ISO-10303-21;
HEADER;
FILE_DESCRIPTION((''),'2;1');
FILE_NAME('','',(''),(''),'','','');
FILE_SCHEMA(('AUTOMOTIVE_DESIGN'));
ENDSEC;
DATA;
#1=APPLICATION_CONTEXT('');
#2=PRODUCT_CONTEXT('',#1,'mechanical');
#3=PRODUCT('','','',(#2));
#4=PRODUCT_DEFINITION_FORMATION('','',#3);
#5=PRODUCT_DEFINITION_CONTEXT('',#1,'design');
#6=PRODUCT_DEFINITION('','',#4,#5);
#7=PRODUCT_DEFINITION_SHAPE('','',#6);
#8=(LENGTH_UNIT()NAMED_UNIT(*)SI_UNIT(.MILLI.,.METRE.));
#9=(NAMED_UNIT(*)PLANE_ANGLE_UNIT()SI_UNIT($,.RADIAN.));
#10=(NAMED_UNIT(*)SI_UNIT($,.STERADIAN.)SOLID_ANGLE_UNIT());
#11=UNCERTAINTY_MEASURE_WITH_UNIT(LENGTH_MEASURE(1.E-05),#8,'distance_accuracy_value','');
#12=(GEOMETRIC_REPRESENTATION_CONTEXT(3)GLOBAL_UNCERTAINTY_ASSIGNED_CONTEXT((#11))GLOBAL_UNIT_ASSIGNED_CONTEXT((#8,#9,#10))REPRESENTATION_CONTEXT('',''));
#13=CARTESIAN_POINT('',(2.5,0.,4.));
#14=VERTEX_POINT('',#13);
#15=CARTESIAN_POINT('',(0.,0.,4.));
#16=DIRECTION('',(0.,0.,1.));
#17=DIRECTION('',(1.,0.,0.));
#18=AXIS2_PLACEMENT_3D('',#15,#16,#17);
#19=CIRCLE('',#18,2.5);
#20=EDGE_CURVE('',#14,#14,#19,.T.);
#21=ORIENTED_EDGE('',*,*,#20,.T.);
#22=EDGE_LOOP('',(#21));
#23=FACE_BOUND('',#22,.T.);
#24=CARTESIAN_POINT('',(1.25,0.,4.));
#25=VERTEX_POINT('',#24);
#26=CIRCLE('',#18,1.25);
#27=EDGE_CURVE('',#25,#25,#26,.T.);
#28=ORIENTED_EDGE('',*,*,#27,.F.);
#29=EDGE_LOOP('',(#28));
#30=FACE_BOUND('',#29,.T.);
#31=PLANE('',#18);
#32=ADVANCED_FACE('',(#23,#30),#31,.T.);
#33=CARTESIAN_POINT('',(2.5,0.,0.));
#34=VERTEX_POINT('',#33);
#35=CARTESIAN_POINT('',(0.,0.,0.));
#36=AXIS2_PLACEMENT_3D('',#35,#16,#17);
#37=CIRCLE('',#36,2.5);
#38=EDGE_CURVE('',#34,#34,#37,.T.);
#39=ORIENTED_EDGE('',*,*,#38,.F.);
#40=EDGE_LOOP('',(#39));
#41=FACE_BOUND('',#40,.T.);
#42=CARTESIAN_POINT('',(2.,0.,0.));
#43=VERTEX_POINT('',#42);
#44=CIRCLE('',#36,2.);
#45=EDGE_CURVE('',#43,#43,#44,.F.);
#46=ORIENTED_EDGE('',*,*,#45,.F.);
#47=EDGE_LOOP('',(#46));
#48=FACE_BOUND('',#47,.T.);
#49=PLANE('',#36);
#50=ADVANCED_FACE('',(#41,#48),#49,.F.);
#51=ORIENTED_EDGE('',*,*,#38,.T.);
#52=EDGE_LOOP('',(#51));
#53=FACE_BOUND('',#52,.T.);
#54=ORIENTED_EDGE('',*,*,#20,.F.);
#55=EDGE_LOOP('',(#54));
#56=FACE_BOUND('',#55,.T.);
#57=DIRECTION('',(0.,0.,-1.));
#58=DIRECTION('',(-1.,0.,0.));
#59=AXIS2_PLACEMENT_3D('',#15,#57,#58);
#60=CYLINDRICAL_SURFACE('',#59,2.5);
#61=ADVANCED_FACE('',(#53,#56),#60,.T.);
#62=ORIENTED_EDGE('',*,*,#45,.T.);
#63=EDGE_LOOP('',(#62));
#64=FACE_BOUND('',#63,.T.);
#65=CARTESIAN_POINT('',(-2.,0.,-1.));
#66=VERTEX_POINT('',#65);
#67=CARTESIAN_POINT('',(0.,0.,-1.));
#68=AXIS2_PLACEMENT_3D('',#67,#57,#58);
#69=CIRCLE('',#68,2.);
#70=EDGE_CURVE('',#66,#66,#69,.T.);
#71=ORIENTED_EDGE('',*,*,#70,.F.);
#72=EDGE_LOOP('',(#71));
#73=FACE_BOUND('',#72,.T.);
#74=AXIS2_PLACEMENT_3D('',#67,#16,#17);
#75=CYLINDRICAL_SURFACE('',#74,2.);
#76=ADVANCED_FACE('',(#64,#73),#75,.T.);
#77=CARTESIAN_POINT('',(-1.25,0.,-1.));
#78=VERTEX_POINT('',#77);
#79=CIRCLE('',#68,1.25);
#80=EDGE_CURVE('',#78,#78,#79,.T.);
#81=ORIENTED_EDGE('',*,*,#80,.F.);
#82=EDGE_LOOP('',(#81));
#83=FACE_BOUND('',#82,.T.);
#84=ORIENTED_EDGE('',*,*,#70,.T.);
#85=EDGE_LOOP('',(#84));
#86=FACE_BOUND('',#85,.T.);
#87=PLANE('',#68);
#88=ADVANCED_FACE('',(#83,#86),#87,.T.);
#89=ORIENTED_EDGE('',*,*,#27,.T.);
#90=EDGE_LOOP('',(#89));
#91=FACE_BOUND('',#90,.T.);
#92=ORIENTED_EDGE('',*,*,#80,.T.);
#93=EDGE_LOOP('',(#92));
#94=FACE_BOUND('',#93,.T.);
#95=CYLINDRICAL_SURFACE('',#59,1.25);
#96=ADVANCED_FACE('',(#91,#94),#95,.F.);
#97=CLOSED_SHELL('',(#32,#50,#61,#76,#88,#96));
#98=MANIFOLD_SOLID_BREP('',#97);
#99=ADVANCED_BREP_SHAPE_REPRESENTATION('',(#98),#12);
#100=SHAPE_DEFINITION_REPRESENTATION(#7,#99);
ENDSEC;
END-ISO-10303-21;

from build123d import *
from build123d.topology import SkipClean

# Parameters (mm, degrees)
SKETCH_1_R      = 2.5
SKETCH_1_R_2    = 1.25
EXTRUDE_1_DEPTH = 4
EXTRUDE_START   = 1
SKETCH_2_R      = 2
SKETCH_2_R_2    = 1.25
EXTRUDE_2_DEPTH = 1


with BuildPart() as part:
    # 草图1 → 凸台-拉伸1 (new body)
    with BuildSketch(Plane.XY):
        Circle(SKETCH_1_R)
        Circle(SKETCH_1_R_2, mode=Mode.SUBTRACT)
    extrude(amount=EXTRUDE_1_DEPTH)

    # 草图2 → 凸台-拉伸2 (add)
    with SkipClean():  # the faces are left unmerged after this step: merging them gives an invalid solid
        with BuildSketch(Plane(origin=(0, 0, 0), x_dir=(-1, 0, 0), z_dir=(0, 0, -1)).offset(EXTRUDE_START)):
            with Locations(Location((0, 0, 0), (0, 0, 180))):
                Circle(SKETCH_2_R)
            Circle(SKETCH_2_R_2, mode=Mode.SUBTRACT)
        extrude(amount=-EXTRUDE_2_DEPTH)


solid = part.part
